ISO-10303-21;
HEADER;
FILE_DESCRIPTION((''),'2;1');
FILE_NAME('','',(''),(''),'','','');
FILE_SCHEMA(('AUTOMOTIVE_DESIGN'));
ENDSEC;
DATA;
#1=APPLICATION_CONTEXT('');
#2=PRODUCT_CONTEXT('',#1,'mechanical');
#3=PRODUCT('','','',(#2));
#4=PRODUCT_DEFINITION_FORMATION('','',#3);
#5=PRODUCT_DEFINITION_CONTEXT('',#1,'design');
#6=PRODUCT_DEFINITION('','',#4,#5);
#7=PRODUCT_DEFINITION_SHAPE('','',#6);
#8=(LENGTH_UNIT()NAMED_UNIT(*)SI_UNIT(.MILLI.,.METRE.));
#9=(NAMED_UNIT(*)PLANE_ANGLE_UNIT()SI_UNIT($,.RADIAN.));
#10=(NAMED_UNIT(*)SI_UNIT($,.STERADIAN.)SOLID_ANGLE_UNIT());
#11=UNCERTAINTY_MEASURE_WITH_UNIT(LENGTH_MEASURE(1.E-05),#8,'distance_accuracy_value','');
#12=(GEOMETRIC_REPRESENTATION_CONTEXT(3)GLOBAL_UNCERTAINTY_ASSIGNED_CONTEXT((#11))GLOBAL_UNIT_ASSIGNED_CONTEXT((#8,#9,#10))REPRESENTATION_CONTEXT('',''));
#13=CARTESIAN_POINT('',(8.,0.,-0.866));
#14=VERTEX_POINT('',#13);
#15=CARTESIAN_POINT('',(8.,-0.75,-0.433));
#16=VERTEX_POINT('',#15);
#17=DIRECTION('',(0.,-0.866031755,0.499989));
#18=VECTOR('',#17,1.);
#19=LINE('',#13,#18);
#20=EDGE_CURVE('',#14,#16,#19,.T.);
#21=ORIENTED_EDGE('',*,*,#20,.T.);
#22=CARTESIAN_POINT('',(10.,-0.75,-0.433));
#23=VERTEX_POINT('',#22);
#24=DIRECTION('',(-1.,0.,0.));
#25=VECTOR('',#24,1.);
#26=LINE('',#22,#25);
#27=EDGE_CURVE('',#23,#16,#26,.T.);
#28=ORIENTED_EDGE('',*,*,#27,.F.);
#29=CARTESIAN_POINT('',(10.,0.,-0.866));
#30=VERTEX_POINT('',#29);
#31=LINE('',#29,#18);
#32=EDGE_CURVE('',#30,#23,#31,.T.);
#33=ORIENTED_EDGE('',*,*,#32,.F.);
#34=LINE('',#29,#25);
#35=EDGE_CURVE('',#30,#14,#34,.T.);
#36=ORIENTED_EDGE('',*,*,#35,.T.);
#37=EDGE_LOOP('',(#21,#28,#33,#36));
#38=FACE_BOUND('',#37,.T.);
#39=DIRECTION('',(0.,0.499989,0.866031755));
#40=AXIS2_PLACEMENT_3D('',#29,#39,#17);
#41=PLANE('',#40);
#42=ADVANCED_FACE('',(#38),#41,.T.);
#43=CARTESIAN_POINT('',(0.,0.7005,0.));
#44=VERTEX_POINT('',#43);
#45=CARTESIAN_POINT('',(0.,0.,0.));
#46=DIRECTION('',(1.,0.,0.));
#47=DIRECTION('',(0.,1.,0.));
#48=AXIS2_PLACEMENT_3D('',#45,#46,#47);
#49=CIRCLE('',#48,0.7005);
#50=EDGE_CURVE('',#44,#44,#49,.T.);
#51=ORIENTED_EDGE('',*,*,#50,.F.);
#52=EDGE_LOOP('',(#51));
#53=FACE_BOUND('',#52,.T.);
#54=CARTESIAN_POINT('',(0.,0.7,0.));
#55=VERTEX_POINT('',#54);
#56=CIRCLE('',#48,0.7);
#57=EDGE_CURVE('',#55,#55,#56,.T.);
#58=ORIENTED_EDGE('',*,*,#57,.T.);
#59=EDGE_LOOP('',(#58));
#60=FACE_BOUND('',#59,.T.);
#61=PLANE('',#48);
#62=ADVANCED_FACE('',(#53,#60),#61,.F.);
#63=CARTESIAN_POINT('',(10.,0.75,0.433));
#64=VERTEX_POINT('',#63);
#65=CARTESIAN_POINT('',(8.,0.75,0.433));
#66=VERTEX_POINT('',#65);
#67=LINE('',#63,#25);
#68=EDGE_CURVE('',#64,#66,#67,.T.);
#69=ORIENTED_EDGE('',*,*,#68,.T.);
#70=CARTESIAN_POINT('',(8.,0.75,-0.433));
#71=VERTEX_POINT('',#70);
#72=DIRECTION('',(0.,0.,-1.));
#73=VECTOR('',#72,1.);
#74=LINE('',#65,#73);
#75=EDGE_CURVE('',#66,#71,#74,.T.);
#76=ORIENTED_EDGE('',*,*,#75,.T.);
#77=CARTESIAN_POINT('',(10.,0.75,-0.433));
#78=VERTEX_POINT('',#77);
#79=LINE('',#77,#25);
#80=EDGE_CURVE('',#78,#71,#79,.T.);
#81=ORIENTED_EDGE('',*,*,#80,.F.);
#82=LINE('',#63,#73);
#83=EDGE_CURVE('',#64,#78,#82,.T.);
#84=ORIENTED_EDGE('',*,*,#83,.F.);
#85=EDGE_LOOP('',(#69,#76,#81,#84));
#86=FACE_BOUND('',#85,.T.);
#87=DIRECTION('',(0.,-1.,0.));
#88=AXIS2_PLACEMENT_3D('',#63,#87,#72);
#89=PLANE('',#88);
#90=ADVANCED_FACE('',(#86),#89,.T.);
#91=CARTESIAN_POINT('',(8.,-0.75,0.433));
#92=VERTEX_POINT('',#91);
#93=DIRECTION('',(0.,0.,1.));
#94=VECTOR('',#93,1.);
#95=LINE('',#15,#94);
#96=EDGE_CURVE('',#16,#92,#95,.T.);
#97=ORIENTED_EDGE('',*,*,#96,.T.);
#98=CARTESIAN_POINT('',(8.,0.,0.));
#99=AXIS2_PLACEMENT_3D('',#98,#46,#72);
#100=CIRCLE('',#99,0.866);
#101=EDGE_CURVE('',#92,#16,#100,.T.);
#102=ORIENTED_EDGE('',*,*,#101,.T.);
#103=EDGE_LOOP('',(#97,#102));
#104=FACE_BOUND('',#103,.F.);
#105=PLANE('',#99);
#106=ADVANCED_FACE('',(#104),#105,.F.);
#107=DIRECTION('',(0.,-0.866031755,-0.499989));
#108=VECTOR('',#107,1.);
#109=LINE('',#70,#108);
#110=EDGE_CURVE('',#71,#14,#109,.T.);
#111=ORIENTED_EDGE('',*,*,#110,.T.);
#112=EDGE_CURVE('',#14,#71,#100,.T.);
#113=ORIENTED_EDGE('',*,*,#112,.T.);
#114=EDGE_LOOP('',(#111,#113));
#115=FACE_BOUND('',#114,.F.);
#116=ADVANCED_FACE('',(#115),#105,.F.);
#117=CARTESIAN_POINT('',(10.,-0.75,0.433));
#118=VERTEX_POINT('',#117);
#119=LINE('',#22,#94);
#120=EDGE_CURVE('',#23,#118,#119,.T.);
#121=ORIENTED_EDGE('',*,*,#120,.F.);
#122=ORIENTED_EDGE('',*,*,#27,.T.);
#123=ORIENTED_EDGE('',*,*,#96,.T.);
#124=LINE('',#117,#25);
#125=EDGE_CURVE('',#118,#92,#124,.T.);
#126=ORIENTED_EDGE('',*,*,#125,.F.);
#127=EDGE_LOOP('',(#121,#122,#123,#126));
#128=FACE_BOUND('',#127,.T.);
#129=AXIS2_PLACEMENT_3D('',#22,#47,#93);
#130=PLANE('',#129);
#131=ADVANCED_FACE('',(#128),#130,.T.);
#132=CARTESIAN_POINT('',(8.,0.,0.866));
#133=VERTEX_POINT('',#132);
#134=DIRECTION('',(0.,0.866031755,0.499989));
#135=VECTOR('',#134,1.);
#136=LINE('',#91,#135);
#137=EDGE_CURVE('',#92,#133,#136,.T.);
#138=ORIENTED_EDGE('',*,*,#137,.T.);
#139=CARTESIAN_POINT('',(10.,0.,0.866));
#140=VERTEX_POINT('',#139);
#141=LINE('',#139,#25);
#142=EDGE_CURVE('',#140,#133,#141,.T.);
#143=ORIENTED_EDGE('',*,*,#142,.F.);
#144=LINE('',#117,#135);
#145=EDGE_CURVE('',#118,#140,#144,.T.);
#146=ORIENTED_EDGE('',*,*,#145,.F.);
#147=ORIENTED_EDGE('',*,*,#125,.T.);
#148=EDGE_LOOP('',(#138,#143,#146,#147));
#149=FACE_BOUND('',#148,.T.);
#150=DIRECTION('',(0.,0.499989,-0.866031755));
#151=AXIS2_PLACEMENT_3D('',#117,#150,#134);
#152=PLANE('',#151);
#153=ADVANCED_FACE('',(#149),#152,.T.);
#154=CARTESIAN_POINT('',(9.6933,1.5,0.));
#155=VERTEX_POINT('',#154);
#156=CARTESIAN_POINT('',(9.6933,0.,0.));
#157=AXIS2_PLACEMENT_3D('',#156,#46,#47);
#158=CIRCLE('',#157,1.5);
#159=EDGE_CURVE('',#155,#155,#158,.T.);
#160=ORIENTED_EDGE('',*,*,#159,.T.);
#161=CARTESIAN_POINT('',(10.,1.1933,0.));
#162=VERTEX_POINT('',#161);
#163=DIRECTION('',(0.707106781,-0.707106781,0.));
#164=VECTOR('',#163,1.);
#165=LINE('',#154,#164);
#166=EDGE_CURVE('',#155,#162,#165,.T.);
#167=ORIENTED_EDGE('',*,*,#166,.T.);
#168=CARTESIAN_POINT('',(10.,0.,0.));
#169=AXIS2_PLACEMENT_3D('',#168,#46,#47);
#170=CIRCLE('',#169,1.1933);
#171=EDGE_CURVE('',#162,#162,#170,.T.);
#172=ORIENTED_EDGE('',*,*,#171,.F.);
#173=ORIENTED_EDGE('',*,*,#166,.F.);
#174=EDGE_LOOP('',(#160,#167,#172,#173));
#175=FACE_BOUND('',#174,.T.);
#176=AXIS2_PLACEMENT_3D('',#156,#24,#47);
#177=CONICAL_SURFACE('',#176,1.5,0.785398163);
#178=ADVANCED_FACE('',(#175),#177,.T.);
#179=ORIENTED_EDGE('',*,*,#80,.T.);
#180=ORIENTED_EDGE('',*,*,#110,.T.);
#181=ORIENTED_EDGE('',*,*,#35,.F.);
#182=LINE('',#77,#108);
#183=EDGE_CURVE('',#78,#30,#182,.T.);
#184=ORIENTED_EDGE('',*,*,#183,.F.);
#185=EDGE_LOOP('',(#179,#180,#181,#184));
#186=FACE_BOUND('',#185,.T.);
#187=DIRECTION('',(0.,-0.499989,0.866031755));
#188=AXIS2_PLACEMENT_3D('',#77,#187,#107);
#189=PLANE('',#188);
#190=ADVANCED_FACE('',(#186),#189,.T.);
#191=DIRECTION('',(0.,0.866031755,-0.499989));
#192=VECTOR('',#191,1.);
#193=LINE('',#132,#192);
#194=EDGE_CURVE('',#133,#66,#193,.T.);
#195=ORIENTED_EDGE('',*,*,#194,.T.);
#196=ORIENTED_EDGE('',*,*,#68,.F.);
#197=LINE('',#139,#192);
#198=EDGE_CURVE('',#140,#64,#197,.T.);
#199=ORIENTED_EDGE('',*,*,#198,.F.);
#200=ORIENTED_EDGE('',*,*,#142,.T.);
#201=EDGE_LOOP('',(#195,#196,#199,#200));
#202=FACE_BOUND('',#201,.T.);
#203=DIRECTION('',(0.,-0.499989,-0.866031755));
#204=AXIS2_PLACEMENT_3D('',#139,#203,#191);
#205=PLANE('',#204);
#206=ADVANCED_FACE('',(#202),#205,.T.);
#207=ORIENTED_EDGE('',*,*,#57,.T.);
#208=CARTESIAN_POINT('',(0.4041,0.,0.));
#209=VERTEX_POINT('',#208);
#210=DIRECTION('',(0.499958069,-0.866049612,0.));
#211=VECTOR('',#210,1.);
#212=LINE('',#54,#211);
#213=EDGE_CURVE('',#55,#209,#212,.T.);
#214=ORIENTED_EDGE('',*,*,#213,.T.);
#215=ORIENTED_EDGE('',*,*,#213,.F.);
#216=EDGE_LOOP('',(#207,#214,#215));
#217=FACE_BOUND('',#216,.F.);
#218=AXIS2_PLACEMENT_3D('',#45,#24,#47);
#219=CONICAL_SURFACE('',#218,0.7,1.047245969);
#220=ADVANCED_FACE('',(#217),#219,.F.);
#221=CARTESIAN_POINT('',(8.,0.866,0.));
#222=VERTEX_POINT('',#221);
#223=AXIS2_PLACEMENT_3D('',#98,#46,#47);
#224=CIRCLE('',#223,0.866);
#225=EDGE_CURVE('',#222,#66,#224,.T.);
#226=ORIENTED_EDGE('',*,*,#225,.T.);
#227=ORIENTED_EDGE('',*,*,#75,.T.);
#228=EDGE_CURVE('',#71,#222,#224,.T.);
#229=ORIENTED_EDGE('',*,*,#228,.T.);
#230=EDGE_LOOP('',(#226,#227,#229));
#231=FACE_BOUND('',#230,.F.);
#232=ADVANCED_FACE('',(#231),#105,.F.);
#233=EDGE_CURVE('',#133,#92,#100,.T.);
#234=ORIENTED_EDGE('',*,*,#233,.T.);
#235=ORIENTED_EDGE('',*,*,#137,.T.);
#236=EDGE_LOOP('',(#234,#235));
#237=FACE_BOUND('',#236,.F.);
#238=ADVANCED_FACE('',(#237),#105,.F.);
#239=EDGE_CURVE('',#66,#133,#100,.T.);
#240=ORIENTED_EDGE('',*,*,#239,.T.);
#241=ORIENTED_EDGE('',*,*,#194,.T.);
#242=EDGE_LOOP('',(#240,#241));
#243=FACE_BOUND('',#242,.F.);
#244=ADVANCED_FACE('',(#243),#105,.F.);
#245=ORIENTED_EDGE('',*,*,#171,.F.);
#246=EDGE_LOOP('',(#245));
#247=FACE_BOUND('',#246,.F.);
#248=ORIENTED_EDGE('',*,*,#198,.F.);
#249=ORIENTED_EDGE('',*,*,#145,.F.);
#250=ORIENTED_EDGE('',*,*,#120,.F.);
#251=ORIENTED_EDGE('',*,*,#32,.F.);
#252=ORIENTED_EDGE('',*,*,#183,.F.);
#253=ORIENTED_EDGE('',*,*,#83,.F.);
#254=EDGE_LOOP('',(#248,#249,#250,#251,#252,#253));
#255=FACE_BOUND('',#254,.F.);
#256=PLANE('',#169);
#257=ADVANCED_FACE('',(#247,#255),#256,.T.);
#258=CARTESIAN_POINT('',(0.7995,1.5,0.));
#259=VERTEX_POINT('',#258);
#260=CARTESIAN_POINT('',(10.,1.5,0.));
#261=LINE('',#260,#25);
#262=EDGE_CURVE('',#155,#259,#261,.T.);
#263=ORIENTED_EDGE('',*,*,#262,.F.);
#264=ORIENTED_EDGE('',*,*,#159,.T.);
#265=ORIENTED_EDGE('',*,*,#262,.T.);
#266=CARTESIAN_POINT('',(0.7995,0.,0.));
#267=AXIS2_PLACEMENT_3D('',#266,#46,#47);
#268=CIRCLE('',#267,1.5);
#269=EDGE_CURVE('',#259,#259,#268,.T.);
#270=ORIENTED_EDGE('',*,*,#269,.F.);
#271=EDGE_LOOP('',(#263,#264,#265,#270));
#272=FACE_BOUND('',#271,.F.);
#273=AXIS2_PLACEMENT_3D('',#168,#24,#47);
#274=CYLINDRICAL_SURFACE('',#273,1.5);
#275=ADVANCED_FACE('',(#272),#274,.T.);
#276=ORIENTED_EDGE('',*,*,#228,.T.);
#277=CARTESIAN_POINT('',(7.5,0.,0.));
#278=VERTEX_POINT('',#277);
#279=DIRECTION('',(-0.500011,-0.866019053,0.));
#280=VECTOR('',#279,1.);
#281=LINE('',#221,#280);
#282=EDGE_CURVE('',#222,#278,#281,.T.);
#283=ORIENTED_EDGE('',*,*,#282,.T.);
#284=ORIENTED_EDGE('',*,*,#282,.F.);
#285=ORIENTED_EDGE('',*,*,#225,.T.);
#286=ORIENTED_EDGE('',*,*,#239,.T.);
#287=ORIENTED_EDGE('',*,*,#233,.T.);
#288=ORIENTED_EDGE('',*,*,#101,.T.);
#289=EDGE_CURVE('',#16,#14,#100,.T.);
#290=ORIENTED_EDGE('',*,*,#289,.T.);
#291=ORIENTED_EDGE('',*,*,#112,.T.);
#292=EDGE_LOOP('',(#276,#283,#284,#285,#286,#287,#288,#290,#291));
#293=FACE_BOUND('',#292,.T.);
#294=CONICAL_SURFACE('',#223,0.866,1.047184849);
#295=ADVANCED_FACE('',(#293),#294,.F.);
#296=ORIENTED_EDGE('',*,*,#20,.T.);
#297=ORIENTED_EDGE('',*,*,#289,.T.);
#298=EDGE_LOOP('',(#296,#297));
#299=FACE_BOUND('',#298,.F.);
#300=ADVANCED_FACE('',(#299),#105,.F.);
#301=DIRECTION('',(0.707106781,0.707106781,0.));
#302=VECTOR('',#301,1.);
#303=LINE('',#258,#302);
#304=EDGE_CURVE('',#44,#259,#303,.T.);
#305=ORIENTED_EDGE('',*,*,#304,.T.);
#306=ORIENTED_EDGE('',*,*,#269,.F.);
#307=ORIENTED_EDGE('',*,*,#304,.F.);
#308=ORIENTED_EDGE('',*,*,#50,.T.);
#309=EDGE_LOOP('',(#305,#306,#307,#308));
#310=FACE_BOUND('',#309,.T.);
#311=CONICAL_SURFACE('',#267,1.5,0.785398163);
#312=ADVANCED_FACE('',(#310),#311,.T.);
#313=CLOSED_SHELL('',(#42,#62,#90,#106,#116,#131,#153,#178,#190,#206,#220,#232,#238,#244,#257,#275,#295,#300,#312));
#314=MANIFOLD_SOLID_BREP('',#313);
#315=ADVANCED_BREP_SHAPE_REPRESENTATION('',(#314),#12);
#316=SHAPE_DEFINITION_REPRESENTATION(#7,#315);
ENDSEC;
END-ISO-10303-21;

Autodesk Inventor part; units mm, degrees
ref_plane "YZ Plane" through (0, 0, 0) normal (1, 0, 0) x (0, 1, 0)
ref_plane "XZ Plane" through (0, 0, 0) normal (0, 1, 0) x (-1, 0, 0)
sketch "Sketch1" plane through (0, 0, 0) normal (0, 0, 1) x (1, 0, 0)
  line L0 (0.4041, 0) -> (7.5, 0)
  line L1 (10, 0.866) -> (10, 1.5)
  line L2 (10, 1.5) -> (0, 1.5)
  line L3 (10, 0.866) -> (8, 0.866)
  line L4 (8, 0.866) -> (7.5, 0)
  line L5 (0, 0.7) -> (0.4041, 0)
  line L6 (0, -0.3) -> (0, 1.8) projected
  line L7 (0, 0.7) -> (0, 1.5)
  point P0 (0, 0)
  dimension "d0" = 2
  dimension "d1" = 60
  dimension "d2" = 3
  dimension "d3" = 1.7321
  dimension "d4" = 10
  dimension "d5" = 60
  dimension "d7" = 1.4
revolve "Body" add sketch "Sketch1" angle 360 about axis through (0.4041, 0, 0) along (1, 0, 0)
sketch "Sketch2" plane through (10, 0, 0) normal (1, 0, 0) x (0, 0, -1)
  circle A0 centre (0, 0) radius 0.866 projected
  circle A1 centre (0, 0) radius 1.5 projected
  line L0 (0.866, 0) -> (0.433, -0.75)
  line L1 (0.433, -0.75) -> (-0.433, -0.75)
  line L2 (-0.433, -0.75) -> (-0.866, 0)
  line L3 (-0.866, 0) -> (-0.433, 0.75)
  line L4 (-0.433, 0.75) -> (0.433, 0.75)
  line L5 (0.433, 0.75) -> (0.866, 0)
extrude "Slot" add sketch "Sketch2" against normal blind 2 contours L5 A0 | A0 L0 | L4 A0 | A0 L1 | L3 A0 | A0 L2
chamfer "Chamfer1" distance 0.8 angle 45 1 edges at (0, -1.5, 0) measured on face at (0, 1.2188, -0.1197)
thread "Thread" size "M3x0.5" class "6g" standard "ISO Metric profile" length 10
chamfer "Chamfer2" distance 0.3067 angle 45 1 edges at (10, -1.5, 0) measured on face at (3.8663, 1.4806, -0.2406)
ref_plane "Work Plane1" through (5, 0, 0) normal (0, -0.5, -0.866) x (1, 0, 0)
equation "\"d0\" = INTI"
equation "\"d2\" = NND"
equation "\"d3\" = 1.1547 * SW"
equation "\"d4\" = NLG"
equation "\"d5\" = 0.5 * ANG"
equation "\"d7\" = SPD"
equation "\"d8\" = INTI"
equation "\"d10\" = -0.5 * SPD + 0.5 * NND"
equation "\"d11\" = FAWI"
equation "\"d33\" = -0.5 * SPD + 0.5 * NND"
equation "\"d14\" = NLG"
equation "\"d12\" = -0.5 * GD1 + 0.5 * NND"
equation "\"d13\" = FAWI"
equation "\"d34\" = -0.5 * GD1 + 0.5 * NND"
equation "\"NND\" = 3"
equation "\"NLG\" = 10"
equation "\"INTI\" = 2"
equation "\"FAWI\" = 45deg"
equation "\"SW\" = 1.5"
equation "\"GD1\" = THREADDIA - 1.2269 * PTC"
equation "\"ANG\" = 120deg"
equation "\"FAWI1\" = 45deg"
equation "\"SPD\" = 1.4"
equation "\"GUL\" = 0.61345 * PTC"
equation "\"TOA\" = 30deg"
equation "\"THREADDIA\" = 3"
equation "\"PTC\" = 0.5"
equation "\"GAL\" = 0.61345 * PTC"
equation "\"E0\" = 1.155 * SW"
properties part number "DIN 916 - M3  x  10" material "Steel, Mild"
